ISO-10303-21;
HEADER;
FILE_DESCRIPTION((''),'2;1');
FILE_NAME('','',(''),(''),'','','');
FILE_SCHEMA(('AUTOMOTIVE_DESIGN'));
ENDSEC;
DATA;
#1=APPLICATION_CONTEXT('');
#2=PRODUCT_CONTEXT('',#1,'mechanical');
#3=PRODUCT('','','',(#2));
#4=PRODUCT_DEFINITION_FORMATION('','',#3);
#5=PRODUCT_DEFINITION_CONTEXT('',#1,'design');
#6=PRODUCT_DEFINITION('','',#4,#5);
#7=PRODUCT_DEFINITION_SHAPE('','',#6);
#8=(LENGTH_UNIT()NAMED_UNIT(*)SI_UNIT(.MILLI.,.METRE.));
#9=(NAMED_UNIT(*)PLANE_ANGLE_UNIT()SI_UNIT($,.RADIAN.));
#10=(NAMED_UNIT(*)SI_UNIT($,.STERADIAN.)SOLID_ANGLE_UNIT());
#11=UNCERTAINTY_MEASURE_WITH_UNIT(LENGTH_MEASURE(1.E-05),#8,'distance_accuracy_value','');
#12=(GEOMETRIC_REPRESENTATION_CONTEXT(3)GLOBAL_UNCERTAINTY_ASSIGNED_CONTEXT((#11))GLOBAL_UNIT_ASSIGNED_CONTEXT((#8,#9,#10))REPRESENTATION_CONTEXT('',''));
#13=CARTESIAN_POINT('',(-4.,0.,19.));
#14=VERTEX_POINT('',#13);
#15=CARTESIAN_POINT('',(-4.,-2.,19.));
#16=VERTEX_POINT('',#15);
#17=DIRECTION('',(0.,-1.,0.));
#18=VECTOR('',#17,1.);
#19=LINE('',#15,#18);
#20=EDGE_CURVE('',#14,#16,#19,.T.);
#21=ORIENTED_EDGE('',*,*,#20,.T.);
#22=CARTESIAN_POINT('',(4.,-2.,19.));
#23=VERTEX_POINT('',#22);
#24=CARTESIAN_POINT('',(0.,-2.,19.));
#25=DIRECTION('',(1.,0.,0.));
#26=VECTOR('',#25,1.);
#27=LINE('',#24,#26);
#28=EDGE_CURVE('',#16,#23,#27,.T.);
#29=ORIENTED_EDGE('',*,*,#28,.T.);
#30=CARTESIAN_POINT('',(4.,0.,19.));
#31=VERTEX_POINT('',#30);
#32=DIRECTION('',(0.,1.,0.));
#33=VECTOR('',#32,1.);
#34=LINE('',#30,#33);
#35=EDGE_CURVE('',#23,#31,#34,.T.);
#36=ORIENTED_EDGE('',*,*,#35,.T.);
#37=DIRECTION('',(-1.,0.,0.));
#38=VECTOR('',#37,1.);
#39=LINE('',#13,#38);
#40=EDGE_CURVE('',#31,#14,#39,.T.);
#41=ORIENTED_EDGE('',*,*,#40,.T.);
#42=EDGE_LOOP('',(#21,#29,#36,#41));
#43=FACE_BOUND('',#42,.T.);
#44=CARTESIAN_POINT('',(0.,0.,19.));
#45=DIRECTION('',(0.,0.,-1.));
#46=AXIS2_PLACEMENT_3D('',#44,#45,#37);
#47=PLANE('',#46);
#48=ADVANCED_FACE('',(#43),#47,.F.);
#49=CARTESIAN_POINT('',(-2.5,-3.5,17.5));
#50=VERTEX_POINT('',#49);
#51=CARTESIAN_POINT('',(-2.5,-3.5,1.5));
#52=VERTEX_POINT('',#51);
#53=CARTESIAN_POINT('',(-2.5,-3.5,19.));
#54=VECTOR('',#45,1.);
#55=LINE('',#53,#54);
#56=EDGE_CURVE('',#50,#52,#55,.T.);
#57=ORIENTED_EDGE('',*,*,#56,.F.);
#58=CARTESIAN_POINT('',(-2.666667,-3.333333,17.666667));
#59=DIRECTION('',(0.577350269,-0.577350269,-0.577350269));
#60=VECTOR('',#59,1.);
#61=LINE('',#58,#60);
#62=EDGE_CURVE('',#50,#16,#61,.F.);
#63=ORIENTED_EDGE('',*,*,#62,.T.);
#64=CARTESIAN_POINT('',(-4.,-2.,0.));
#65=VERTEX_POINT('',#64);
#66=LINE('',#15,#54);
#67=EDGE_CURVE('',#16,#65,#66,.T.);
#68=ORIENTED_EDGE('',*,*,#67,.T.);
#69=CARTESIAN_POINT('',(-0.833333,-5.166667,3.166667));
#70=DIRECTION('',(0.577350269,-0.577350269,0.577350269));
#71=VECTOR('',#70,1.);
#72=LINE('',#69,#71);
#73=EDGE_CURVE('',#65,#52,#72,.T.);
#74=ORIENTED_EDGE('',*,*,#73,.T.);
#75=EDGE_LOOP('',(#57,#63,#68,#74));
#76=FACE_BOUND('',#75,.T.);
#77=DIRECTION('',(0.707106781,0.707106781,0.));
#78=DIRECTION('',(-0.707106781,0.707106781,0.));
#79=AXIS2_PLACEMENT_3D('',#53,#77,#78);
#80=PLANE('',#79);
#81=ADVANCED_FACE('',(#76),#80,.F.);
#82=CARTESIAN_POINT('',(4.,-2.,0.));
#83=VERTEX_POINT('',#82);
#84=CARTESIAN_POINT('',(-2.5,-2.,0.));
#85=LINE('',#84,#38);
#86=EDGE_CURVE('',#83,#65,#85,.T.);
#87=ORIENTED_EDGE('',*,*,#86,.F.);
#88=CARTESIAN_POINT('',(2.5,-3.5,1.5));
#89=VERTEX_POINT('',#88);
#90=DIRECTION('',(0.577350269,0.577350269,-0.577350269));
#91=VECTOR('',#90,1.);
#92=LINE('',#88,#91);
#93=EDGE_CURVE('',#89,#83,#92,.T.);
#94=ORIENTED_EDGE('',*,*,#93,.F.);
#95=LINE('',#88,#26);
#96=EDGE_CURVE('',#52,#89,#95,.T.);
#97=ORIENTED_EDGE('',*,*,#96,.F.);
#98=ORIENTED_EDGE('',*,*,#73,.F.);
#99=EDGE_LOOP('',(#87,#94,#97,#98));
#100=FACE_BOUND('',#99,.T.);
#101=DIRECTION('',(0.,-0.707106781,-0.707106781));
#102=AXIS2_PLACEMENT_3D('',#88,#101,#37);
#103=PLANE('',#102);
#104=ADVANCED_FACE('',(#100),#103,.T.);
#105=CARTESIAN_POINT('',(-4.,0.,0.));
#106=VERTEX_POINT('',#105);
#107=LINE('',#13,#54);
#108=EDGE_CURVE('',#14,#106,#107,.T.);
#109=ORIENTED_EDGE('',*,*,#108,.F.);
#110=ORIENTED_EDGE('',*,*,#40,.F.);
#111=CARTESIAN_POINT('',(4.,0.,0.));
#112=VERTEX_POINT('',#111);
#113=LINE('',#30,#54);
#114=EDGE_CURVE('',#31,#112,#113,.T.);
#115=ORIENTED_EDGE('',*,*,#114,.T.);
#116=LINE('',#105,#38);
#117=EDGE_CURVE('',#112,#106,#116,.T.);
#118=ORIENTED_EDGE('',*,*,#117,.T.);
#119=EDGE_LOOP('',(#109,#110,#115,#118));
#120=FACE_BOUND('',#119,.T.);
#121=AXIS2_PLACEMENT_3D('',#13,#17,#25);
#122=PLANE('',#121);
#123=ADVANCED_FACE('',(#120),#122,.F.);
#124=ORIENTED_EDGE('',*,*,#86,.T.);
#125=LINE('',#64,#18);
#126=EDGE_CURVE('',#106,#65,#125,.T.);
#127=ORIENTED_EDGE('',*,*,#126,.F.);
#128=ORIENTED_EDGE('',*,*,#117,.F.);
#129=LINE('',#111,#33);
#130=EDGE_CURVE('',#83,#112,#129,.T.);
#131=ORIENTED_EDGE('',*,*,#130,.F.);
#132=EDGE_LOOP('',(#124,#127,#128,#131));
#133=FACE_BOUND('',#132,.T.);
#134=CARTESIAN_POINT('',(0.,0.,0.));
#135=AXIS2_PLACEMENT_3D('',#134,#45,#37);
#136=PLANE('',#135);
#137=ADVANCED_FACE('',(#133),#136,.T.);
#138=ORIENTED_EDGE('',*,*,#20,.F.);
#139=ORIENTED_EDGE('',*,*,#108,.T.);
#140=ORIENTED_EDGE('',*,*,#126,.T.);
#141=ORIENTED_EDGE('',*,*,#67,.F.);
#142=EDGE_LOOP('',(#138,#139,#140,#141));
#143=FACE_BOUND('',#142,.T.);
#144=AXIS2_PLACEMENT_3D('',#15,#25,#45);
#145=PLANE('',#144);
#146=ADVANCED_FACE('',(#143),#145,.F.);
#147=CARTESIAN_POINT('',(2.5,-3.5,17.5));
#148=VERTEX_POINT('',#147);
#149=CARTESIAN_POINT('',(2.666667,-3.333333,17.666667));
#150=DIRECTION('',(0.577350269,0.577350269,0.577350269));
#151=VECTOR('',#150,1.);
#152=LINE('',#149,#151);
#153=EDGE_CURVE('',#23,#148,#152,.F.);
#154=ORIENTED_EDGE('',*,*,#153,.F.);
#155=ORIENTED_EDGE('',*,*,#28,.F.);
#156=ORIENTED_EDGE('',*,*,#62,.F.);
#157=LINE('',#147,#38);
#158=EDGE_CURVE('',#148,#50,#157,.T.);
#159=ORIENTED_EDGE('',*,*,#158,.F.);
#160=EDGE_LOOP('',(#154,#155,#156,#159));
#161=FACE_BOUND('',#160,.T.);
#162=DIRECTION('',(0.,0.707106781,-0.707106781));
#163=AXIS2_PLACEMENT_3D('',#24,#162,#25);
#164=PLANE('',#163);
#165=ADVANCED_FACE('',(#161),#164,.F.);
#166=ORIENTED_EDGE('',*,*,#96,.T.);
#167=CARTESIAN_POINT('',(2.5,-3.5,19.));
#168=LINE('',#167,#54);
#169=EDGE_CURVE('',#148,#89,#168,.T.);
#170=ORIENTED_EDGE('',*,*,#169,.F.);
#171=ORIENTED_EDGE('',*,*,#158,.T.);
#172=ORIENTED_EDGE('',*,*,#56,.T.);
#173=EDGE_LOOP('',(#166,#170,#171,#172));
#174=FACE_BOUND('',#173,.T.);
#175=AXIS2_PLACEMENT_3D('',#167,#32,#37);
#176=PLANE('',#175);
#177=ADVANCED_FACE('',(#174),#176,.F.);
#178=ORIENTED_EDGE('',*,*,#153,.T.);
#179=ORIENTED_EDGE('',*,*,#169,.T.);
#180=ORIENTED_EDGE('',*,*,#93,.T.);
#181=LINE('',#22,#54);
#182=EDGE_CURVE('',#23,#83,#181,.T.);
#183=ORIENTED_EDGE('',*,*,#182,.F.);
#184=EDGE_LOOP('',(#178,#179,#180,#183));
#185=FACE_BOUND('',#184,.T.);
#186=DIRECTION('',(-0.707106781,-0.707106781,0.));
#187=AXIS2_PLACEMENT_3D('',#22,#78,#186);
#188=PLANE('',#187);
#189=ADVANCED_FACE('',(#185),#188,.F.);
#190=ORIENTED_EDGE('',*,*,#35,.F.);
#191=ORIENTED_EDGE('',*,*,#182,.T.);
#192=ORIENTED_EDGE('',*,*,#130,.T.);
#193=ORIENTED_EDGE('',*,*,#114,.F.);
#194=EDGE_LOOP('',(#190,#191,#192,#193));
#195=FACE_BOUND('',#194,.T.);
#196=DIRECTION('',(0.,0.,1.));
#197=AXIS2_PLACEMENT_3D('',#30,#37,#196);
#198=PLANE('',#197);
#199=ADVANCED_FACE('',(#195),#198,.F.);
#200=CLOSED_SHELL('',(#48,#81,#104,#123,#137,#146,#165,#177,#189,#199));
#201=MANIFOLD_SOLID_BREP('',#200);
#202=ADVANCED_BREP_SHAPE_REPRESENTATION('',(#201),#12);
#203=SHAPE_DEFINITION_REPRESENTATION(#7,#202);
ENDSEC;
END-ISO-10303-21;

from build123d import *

# Parameters (mm, degrees)
BOSS_EXTRU_1_DEPTH = 19
CHANFREIN1_SIZE    = 1.5


with BuildPart() as part:
    # Esquisse1 → Boss.-Extru.1 (new body)
    with BuildSketch(Plane.XY):
        Polygon((-4, 0), (4, 0), (4, -2), (2.5, -3.5), (-2.5, -3.5), (-4, -2), align=None)
    extrude(amount=BOSS_EXTRU_1_DEPTH)

    # Chanfrein1
    chanfrein1_edges = [part.edges().sort_by_distance(p)[0] for p in [
        (0, -3.5, 0),
        (0, -3.5, 19),
    ]]
    chamfer(chanfrein1_edges, length=CHANFREIN1_SIZE)


solid = part.part
